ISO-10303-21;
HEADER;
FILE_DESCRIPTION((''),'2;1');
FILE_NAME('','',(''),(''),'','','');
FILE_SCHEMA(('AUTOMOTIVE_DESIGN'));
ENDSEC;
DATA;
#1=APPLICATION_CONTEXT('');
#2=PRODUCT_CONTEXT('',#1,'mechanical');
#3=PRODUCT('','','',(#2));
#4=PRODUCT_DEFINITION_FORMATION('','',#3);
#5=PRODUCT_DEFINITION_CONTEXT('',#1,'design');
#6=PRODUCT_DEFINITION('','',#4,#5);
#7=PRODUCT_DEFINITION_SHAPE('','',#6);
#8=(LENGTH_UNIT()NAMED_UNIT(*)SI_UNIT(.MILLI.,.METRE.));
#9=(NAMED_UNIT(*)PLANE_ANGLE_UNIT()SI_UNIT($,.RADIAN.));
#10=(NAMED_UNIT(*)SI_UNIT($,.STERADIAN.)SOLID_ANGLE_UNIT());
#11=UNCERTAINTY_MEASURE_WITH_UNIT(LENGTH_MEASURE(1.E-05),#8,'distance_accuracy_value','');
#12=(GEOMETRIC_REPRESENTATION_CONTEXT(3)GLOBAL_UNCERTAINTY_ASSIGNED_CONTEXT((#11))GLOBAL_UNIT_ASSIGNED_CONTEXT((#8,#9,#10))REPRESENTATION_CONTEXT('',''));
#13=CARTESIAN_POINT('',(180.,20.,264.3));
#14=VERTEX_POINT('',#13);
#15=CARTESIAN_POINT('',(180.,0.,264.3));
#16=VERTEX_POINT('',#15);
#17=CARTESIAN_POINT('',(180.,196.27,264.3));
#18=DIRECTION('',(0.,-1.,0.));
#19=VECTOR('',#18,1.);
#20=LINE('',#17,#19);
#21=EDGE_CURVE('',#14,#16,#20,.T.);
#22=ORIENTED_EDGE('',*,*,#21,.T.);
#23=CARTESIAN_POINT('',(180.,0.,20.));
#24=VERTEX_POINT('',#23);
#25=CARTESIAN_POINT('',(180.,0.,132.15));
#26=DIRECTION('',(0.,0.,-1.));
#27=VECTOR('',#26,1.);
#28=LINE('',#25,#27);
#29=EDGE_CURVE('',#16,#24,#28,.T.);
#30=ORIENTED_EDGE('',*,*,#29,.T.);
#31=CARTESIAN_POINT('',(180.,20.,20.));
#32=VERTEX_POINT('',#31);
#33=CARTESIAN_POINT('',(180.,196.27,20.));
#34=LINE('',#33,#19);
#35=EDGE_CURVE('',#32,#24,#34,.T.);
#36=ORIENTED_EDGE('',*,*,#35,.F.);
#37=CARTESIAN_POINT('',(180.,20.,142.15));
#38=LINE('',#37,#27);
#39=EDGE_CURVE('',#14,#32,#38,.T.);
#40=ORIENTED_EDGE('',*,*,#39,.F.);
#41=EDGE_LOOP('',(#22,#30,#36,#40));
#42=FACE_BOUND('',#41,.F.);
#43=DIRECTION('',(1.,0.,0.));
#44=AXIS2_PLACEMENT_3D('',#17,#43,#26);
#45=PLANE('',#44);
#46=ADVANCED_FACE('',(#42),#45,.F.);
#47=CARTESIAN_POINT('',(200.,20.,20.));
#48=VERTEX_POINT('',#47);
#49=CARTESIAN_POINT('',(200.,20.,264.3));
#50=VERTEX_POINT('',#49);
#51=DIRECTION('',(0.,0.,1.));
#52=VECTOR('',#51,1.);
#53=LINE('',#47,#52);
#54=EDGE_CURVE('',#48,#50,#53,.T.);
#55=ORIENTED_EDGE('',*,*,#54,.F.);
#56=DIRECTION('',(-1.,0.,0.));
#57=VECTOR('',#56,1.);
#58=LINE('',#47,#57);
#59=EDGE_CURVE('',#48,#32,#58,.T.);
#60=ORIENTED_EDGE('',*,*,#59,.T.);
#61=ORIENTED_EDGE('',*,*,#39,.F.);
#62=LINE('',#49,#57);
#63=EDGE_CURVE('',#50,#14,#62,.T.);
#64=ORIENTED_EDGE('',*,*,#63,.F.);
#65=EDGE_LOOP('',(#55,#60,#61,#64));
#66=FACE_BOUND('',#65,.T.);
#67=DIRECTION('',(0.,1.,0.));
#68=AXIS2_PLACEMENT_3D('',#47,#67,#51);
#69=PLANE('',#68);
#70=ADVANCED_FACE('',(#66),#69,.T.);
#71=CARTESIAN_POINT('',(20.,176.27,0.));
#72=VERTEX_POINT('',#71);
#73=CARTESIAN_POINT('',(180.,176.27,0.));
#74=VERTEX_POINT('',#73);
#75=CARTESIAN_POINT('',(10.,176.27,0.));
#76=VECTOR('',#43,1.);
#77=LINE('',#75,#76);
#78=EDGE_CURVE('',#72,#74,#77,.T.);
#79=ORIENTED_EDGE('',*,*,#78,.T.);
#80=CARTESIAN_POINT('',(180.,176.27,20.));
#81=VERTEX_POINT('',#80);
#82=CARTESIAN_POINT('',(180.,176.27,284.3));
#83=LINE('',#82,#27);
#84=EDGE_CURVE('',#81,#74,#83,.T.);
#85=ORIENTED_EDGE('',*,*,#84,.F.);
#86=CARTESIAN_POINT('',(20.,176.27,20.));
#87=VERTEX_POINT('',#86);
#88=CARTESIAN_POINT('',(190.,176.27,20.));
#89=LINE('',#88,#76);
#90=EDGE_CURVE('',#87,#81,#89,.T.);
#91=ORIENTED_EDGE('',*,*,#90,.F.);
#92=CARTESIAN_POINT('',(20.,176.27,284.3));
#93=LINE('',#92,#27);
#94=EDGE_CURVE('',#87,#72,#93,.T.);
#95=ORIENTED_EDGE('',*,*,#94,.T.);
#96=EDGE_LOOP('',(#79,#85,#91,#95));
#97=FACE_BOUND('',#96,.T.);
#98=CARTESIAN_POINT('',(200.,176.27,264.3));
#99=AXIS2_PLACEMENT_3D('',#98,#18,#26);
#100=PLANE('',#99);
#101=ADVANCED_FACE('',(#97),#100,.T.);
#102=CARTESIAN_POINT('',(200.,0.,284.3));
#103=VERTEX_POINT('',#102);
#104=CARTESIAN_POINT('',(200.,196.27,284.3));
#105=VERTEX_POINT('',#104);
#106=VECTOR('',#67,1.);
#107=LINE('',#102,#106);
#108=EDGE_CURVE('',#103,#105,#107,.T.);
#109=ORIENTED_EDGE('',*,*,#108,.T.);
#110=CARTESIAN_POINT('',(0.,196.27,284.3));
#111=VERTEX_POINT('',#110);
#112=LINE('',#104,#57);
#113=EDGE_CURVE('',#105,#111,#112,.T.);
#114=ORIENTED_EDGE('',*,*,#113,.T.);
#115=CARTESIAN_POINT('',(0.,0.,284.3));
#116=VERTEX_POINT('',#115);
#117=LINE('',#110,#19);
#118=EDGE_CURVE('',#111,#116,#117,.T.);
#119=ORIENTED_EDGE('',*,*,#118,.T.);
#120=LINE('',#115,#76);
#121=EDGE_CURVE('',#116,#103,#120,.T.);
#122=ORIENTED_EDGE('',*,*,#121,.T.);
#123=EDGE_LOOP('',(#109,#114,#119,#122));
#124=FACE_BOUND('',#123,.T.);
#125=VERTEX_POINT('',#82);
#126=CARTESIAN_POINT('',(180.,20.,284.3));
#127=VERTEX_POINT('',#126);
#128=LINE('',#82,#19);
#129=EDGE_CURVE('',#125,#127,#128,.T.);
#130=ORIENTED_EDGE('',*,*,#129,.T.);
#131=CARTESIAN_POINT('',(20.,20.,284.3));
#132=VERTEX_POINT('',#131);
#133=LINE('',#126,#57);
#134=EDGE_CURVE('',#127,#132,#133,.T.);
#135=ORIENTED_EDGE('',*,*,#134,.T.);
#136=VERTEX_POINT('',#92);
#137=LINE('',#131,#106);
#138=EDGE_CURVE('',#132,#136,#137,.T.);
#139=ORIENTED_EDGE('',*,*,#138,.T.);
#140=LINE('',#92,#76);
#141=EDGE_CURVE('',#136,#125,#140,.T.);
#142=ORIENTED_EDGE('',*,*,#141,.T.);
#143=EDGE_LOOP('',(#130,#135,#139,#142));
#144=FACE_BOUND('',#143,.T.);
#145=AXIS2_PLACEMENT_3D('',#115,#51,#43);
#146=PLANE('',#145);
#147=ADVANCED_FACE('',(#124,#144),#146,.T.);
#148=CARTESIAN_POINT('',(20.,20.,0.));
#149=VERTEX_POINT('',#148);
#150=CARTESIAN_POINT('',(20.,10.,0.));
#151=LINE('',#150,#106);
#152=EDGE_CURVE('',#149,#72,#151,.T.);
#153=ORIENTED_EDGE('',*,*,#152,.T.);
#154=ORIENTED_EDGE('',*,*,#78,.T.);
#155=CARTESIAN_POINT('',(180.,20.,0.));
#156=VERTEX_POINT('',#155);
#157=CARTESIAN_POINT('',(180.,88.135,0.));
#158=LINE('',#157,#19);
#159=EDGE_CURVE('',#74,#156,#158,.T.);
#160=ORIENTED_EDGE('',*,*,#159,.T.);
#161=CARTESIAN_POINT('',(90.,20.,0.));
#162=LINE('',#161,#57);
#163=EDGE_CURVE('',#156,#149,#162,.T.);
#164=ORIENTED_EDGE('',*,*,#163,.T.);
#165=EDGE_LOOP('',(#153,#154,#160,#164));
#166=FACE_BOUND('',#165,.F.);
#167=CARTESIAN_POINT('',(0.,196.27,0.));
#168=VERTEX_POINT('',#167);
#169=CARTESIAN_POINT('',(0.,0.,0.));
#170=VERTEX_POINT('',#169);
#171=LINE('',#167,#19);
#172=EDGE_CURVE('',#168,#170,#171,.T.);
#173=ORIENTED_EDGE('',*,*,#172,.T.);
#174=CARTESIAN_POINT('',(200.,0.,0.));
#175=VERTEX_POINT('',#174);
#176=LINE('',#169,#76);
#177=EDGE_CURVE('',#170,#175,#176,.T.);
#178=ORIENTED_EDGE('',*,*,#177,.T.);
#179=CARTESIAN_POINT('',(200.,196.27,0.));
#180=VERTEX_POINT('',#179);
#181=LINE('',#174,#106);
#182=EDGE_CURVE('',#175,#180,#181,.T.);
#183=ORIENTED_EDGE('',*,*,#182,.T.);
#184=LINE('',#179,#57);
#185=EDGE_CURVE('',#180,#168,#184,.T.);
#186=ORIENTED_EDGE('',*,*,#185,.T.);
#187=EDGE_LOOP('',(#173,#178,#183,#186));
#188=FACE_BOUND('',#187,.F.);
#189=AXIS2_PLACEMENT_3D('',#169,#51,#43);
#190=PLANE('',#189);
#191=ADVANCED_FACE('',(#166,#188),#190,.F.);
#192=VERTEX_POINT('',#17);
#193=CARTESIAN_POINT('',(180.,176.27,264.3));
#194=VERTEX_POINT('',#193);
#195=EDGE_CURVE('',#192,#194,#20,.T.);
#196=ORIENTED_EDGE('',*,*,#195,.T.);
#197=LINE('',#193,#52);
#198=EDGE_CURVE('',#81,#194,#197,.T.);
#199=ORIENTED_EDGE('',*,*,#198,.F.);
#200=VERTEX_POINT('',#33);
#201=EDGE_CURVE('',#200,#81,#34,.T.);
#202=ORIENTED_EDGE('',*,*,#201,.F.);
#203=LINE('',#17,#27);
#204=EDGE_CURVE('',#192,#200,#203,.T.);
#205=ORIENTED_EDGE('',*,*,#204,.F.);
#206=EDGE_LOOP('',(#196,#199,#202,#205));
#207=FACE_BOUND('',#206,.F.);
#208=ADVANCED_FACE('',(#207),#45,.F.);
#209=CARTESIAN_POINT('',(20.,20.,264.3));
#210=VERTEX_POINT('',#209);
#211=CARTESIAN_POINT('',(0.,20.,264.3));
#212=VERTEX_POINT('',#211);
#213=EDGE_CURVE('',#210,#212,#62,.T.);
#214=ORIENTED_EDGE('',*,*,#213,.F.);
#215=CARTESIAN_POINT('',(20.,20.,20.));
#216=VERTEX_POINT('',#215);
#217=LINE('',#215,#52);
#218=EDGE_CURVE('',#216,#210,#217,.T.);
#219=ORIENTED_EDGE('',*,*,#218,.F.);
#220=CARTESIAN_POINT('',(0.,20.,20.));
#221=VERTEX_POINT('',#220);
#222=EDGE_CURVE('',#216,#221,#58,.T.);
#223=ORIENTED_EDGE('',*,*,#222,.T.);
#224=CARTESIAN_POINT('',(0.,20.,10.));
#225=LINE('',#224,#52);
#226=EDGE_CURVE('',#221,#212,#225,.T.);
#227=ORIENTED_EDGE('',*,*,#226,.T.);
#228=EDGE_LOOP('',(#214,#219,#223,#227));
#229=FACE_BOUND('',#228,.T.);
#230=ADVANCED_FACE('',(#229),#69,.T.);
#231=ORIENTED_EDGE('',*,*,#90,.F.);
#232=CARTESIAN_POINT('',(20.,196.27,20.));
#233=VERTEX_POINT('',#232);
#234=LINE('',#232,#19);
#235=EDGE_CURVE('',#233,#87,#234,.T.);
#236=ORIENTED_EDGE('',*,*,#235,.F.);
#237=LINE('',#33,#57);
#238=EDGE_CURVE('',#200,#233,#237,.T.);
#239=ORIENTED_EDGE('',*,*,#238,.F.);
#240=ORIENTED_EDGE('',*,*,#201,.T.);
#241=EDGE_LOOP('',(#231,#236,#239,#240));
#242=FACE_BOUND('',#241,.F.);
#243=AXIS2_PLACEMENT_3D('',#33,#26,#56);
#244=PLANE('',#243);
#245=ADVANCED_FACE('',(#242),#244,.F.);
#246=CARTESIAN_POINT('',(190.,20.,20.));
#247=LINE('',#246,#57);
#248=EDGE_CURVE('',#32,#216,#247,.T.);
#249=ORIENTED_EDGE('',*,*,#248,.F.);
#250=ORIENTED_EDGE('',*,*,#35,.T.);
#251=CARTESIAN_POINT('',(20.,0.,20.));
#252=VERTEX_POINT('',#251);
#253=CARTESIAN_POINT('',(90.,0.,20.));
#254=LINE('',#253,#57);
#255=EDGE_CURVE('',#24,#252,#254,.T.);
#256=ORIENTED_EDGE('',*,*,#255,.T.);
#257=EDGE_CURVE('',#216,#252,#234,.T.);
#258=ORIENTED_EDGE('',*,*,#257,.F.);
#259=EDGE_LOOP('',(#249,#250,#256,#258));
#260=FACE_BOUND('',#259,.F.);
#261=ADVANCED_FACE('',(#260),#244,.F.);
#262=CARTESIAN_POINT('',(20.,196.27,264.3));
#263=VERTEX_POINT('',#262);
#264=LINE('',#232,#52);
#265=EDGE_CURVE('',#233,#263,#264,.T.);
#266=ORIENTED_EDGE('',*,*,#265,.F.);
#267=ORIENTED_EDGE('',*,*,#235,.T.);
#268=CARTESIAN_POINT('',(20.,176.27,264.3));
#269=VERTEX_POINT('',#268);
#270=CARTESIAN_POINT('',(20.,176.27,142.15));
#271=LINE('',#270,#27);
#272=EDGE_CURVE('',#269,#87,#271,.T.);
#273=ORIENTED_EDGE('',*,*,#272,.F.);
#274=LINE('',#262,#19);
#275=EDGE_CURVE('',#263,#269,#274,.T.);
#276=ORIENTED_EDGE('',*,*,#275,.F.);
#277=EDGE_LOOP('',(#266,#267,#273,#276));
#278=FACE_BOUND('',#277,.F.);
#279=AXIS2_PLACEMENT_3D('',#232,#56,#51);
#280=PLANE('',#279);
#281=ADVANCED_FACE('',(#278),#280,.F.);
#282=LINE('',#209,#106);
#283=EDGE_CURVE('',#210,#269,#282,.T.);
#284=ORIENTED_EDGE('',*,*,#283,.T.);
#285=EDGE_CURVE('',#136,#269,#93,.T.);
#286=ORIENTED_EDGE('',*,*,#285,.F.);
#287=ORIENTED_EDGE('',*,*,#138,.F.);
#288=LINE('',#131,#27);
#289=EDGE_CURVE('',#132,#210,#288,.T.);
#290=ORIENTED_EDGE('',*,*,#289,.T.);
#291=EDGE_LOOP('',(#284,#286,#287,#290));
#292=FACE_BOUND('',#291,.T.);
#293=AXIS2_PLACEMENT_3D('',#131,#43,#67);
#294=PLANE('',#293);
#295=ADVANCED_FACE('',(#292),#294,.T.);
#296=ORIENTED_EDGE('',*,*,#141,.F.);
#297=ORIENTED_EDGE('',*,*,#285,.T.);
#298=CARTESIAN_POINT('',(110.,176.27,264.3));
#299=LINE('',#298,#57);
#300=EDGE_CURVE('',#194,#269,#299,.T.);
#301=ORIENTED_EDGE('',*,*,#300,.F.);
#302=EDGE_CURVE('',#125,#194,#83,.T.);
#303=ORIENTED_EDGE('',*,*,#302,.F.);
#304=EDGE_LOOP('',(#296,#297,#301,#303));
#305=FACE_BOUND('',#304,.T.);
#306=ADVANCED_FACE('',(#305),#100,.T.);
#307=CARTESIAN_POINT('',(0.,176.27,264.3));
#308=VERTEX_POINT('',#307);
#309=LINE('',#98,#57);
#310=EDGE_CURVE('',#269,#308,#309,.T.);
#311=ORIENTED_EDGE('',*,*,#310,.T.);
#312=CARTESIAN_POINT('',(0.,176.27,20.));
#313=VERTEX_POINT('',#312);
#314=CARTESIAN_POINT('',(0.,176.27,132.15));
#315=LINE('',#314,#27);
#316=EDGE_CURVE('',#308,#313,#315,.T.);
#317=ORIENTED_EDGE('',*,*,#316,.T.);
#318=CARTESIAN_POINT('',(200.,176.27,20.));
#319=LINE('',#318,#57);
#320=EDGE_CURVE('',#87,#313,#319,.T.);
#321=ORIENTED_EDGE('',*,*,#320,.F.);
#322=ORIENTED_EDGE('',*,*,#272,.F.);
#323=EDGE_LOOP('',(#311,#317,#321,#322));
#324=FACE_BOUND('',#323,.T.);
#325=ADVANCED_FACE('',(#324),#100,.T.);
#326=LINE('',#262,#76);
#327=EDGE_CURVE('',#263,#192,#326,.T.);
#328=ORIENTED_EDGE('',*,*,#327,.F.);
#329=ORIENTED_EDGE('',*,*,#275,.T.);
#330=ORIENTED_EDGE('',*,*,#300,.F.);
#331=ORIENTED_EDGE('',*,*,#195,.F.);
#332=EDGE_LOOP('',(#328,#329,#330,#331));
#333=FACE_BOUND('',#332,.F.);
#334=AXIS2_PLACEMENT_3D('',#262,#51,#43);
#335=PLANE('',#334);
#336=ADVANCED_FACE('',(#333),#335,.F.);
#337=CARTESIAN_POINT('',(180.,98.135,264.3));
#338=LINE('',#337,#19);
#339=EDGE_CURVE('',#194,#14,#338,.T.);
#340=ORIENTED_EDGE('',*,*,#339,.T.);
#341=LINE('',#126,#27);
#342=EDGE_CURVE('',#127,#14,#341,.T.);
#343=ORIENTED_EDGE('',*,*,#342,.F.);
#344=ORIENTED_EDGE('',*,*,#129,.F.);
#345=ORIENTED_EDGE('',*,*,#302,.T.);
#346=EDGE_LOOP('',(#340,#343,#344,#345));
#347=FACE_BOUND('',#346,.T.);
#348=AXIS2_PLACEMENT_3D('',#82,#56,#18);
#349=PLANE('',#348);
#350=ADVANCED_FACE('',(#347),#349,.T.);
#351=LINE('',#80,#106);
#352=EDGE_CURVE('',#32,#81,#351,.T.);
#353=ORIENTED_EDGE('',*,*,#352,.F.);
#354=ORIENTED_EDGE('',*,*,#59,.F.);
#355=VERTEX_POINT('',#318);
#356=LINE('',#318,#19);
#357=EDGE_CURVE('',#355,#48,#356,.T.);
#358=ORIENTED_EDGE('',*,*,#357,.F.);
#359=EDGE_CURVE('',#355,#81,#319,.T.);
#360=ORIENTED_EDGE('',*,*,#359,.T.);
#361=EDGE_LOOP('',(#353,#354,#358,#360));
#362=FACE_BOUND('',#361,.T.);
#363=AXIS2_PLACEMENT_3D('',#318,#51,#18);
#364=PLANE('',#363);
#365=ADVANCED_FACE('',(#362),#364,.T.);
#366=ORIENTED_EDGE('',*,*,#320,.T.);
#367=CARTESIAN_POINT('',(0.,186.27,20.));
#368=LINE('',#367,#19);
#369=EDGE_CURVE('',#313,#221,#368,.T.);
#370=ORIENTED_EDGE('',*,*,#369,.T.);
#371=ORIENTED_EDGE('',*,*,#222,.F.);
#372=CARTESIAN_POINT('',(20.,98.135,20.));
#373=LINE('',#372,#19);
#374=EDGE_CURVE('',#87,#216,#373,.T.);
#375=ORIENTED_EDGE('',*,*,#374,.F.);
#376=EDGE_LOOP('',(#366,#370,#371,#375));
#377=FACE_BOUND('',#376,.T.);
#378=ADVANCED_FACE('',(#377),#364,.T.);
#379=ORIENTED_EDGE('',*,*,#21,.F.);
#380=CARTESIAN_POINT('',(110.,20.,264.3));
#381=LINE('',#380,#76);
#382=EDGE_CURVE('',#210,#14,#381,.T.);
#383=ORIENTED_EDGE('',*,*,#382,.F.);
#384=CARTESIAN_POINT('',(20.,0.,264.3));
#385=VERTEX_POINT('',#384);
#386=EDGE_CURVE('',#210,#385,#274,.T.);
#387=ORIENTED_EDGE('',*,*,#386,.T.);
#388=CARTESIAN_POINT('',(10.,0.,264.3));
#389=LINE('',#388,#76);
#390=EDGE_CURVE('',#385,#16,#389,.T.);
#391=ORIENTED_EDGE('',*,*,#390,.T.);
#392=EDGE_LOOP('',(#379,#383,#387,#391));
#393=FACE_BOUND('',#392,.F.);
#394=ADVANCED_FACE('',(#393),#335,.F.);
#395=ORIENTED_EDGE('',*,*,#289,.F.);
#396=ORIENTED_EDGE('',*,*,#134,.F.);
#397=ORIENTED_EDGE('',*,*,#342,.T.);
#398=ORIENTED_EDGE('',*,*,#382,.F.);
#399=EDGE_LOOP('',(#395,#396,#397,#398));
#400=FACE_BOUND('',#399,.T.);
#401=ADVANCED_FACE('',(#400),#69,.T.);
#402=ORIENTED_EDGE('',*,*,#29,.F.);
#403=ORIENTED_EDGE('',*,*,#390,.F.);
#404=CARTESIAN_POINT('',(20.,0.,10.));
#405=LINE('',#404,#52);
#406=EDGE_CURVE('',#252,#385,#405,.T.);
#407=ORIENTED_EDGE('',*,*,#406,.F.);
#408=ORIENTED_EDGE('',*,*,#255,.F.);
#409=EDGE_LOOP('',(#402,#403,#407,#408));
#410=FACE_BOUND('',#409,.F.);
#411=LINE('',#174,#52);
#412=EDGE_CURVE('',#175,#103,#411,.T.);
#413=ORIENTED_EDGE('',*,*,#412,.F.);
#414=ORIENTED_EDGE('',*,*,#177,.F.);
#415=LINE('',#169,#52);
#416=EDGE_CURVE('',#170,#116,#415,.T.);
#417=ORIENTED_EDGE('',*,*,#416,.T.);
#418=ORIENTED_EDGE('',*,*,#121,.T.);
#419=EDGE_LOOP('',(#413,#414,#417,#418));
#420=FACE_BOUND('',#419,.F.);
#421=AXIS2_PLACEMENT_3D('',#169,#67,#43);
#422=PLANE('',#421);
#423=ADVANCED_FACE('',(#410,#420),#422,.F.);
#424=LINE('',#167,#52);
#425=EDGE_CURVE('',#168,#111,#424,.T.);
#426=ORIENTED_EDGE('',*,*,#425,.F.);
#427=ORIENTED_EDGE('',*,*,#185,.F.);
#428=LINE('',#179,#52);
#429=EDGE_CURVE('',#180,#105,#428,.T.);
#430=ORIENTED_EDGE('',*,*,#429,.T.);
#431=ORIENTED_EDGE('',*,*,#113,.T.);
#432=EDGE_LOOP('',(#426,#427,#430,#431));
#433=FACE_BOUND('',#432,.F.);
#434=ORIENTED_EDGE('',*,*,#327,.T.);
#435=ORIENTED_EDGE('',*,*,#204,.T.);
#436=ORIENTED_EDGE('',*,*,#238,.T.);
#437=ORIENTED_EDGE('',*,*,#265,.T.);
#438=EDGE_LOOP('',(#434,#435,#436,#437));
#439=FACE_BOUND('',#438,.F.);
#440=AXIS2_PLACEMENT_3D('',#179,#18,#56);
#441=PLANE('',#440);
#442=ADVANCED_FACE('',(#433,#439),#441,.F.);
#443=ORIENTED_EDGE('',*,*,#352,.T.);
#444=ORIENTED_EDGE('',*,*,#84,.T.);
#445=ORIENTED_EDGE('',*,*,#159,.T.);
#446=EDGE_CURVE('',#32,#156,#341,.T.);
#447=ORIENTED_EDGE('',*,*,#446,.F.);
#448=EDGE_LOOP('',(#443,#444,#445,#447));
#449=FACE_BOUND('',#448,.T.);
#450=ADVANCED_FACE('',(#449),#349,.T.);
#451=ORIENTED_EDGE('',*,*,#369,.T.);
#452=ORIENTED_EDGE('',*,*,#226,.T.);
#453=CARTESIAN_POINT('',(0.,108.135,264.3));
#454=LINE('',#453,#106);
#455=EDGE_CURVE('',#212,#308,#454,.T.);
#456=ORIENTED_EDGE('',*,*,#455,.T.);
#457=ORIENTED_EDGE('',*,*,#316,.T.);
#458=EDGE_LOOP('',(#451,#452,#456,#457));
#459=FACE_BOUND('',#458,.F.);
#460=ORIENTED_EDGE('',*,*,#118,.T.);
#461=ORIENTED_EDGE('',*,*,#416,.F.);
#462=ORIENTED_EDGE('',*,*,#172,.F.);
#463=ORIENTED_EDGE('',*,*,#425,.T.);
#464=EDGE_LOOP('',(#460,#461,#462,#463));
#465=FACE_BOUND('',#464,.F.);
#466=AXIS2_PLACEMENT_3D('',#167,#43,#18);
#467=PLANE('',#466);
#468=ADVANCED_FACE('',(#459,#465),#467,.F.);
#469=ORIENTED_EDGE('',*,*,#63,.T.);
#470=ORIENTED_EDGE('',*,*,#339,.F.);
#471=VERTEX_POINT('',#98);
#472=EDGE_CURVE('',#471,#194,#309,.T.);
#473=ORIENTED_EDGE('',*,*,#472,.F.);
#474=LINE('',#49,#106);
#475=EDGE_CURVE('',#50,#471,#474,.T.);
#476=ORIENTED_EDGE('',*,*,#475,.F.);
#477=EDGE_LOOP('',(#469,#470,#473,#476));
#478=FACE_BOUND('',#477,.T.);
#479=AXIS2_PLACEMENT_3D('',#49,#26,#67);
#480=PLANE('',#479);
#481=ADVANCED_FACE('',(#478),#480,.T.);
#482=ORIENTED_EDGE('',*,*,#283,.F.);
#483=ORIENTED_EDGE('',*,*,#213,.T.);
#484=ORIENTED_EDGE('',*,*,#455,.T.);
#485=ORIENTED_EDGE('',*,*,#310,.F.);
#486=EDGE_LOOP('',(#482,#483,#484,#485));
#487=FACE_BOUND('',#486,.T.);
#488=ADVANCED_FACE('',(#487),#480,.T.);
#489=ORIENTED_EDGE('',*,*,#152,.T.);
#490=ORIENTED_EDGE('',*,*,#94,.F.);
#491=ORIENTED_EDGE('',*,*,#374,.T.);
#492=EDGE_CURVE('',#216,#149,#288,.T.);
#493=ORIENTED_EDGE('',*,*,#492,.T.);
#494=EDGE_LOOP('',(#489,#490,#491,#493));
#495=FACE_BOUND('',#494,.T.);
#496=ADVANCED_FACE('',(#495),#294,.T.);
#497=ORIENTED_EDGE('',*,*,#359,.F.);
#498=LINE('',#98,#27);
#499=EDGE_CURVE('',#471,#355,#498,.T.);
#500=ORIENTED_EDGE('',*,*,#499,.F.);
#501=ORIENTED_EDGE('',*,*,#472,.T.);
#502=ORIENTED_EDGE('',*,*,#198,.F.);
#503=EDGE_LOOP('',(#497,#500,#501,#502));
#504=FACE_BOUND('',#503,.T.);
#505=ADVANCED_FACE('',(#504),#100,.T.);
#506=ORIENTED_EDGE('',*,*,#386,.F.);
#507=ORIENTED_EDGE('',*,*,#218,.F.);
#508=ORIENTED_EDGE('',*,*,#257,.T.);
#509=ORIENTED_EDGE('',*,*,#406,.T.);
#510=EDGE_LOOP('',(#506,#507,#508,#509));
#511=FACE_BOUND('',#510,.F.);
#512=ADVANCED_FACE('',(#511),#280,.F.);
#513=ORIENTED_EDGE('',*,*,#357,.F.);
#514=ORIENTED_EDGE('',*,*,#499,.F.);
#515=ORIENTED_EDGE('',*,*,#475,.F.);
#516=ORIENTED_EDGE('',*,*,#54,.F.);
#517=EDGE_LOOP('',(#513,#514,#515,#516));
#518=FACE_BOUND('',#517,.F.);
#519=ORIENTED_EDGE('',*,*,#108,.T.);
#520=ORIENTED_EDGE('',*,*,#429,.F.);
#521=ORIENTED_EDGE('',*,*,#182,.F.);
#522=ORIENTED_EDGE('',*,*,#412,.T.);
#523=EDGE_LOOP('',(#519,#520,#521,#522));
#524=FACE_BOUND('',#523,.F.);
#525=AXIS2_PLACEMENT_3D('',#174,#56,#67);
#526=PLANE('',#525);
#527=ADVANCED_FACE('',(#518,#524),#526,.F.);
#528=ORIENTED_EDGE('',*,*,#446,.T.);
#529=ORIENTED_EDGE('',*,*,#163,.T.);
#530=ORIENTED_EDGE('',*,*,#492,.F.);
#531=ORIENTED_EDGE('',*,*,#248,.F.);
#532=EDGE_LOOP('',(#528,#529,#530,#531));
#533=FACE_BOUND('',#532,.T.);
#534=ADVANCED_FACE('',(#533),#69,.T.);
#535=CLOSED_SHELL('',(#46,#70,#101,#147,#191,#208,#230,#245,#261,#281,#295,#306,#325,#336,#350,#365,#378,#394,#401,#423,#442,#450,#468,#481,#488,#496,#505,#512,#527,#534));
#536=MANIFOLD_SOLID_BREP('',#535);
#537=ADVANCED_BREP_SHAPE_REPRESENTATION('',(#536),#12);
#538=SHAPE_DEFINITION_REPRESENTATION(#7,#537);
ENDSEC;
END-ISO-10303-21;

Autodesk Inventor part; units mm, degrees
ref_plane "YZ Plane" through (0, 0, 0) normal (1, 0, 0) x (0, 1, 0)
ref_plane "XZ Plane" through (0, 0, 0) normal (0, 1, 0) x (-1, 0, 0)
ref_plane "XY Plane" through (0, 0, 0) normal (0, 0, 1) x (1, 0, 0)
sketch "Sketch1" plane through (0, 0, 0) normal (0, 0, 1) x (1, 0, 0)
  line L0 (0, 0) -> (200, 0)
  line L1 (200, 0) -> (200, 196.27)
  line L2 (200, 196.27) -> (0, 196.27)
  line L3 (0, 196.27) -> (0, 0)
  dimension "d0" = 200
  dimension "d1" = 196.27
extrude "Extrusion1" add sketch "Sketch1" along normal blind 284.3
sketch "Sketch2" plane through (0, 0, 284.3) normal (0, 0, 1) x (1, 0, 0)
  line L0 (20, 176.27) -> (180, 176.27)
  line L1 (180, 176.27) -> (180, 20)
  line L2 (180, 20) -> (20, 20)
  line L3 (20, 20) -> (20, 176.27)
  line L4 (200, 196.27) -> (0, 196.27) projected
  line L5 (0, 196.27) -> (0, 0) projected
  line L6 (200, 0) -> (200, 196.27) projected
  line L7 (0, 0) -> (200, 0) projected
  dimension "d4" = 20
  dimension "d5" = 20
  dimension "d6" = 20
  dimension "d7" = 20
extrude "Extrusion2" cut sketch "Sketch2" against normal blind 900 contours L0 L1 L2 L3
sketch "Sketch3" plane through (200, 0, 0) normal (1, 0, 0) x (0, 0, -1)
  line L0 (-264.3, 176.27) -> (-20, 176.27)
  line L1 (-20, 176.27) -> (-20, 20)
  line L2 (-20, 20) -> (-264.3, 20)
  line L3 (-264.3, 20) -> (-264.3, 176.27)
  line L4 (0, 196.27) -> (-284.3, 196.27) projected
  line L5 (-284.3, 0) -> (-284.3, 196.27) projected
  line L6 (0, 0) -> (-284.3, 0) projected
  line L7 (0, 0) -> (0, 196.27) projected
  dimension "d10" = 20
  dimension "d11" = 20
  dimension "d12" = 20
  dimension "d13" = 20
extrude "Extrusion3" cut sketch "Sketch3" against normal blind 900 contours L0 L1 L2 L3
sketch "Sketch4" plane through (0, 196.27, 0) normal (0, 1, 0) x (1, 0, 0)
  line L0 (20, -264.3) -> (0, -264.3) projected
  line L1 (180, -20) -> (180, 0) projected
  line L2 (20, -264.3) -> (180, -264.3)
  line L3 (180, -264.3) -> (180, -20)
  line L4 (180, -20) -> (20, -20)
  line L5 (20, -20) -> (20, -264.3)
  point P0 (0, 0)
extrude "Extrusion4" cut sketch "Sketch4" against normal blind 900
properties part number "Motor Pump Housing"
